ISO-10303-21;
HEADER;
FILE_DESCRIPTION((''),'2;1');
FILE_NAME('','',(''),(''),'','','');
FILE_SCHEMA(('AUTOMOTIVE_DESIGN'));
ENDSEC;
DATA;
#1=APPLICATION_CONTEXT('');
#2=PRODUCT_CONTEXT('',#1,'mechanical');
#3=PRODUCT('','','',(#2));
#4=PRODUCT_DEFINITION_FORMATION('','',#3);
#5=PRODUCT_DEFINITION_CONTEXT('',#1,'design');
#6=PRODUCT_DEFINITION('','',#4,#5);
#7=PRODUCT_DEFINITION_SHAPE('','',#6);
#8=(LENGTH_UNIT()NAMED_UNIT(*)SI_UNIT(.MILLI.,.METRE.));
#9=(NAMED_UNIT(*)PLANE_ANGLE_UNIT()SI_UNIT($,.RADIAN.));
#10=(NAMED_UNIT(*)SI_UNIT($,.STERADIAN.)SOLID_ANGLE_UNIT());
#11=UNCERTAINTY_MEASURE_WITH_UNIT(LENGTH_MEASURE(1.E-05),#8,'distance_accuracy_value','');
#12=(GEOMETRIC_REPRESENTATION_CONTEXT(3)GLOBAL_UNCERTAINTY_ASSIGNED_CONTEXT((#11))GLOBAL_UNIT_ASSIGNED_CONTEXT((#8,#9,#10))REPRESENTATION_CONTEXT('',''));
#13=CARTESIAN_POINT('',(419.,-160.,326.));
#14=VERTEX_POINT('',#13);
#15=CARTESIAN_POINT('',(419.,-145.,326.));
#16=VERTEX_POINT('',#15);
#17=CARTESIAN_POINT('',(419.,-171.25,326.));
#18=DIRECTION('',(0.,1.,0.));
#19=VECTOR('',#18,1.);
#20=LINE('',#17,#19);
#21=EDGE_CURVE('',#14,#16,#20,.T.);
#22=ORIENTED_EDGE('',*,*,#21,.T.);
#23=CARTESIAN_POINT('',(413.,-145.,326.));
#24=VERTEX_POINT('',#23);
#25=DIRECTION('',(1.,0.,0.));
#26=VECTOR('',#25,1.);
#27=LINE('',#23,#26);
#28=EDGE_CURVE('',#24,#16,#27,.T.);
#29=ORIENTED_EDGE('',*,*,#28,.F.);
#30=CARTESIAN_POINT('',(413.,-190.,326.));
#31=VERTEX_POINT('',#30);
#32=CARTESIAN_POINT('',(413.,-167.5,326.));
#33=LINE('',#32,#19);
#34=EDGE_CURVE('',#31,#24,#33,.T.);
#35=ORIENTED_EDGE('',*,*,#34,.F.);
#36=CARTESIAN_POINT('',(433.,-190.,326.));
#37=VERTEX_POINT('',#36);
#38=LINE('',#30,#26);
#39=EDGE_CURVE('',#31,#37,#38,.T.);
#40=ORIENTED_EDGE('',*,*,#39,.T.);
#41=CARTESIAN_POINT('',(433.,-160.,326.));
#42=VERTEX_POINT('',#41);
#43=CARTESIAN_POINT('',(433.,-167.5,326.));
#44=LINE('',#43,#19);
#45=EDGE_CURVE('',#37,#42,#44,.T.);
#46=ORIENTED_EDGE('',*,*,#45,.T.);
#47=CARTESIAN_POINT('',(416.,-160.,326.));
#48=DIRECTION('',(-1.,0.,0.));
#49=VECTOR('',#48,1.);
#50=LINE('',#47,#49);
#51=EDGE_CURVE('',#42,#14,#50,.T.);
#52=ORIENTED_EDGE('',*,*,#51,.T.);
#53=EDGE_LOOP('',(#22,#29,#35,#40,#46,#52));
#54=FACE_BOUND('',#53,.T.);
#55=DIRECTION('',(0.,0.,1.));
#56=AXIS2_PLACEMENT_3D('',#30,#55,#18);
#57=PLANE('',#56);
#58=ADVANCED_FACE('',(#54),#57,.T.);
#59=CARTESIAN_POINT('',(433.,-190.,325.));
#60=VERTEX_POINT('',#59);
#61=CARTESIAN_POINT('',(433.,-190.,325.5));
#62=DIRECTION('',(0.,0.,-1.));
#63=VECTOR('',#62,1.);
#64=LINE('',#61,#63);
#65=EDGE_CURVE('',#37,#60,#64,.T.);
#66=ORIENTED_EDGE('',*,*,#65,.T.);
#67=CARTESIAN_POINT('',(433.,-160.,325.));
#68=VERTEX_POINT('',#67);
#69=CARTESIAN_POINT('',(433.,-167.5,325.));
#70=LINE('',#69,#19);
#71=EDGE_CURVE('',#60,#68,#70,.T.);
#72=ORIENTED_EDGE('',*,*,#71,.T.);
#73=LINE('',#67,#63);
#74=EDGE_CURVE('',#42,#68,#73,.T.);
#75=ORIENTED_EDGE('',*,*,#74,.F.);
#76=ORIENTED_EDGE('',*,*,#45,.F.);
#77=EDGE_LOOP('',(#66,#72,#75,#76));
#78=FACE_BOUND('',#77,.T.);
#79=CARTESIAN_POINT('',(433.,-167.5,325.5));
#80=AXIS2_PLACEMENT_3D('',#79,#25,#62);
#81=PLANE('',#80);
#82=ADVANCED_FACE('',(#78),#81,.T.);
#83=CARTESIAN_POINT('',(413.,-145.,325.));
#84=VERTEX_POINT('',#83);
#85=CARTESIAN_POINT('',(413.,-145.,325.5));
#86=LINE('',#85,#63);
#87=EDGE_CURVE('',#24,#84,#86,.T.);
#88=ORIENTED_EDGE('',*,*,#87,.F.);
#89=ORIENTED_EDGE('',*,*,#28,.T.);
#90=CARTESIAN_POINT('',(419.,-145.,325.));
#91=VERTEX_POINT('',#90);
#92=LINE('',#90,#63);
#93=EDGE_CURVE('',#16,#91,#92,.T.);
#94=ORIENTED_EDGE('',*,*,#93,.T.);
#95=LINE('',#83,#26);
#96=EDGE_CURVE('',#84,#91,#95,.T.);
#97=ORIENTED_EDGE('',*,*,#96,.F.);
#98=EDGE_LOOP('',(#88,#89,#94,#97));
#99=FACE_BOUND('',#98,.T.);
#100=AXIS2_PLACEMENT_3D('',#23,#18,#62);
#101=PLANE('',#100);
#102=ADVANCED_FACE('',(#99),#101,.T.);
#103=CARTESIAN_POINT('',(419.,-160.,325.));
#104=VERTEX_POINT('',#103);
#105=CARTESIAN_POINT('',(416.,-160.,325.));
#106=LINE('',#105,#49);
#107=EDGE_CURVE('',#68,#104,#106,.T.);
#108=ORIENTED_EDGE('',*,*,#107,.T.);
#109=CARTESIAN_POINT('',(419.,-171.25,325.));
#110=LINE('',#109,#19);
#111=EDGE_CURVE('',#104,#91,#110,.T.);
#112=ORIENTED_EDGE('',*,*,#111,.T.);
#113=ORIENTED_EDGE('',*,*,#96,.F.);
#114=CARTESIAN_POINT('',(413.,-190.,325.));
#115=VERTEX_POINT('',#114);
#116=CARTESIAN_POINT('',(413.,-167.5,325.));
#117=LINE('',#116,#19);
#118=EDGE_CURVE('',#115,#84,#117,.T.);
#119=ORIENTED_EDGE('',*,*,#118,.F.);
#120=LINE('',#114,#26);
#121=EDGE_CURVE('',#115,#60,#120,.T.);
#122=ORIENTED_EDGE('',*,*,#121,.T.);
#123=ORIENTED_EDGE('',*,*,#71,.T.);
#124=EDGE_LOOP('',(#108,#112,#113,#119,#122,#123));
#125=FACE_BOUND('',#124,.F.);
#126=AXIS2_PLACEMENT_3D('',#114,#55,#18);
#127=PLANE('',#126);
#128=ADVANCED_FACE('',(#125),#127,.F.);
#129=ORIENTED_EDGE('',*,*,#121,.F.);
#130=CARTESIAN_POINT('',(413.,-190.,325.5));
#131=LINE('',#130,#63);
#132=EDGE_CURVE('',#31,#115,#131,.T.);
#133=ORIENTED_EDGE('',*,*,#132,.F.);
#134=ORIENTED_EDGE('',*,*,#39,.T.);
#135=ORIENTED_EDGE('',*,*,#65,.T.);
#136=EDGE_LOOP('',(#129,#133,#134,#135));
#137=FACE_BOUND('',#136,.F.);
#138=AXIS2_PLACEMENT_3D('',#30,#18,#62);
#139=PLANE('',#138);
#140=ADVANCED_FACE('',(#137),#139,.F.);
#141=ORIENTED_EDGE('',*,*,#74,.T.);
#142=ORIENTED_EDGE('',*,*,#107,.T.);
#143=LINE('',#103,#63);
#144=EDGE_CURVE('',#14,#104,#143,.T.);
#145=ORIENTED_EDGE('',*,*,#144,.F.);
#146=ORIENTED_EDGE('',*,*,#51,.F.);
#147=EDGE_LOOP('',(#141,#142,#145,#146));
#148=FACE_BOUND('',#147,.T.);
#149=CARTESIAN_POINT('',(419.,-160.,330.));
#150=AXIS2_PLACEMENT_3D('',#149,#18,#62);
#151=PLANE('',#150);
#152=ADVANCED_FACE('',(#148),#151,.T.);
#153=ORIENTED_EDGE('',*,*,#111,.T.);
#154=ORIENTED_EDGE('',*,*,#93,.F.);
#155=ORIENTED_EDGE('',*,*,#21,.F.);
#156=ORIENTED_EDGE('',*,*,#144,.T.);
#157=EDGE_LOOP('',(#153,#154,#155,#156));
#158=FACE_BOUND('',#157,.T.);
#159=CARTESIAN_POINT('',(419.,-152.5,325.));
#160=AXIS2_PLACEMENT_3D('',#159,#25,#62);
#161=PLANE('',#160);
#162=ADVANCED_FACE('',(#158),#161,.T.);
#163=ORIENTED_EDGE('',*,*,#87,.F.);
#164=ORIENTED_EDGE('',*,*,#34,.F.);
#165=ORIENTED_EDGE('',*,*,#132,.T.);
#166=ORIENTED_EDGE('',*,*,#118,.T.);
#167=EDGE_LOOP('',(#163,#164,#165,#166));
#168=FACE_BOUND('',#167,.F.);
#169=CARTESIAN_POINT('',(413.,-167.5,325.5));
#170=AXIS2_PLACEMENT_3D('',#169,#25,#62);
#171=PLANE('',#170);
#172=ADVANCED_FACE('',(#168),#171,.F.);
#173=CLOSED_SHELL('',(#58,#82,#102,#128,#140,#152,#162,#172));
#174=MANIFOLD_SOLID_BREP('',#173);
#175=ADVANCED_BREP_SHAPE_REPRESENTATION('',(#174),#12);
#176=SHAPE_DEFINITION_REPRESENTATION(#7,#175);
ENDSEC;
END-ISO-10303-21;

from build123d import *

# Parameters (mm, degrees)
BOX007_W           = 10
BOX007_H           = 15
BOX007_DEPTH       = 14
BOX006_W           = 1
BOX006_H           = 45
BOX006_DEPTH       = 20
CUT006_PITCH_ANGLE = 90


with BuildPart() as cubo005:
    # Box007 → Box007 (new body)
    with BuildSketch(Plane(origin=(-4, -227, 60), x_dir=(1, 0, 0), z_dir=(0, 0, 1))):
        with Locations((5, 7.5)):
            Rectangle(BOX007_W, BOX007_H)
    extrude(amount=BOX007_DEPTH)


with BuildPart() as cut006:
    # Box006 → Box006 (new body)
    with BuildSketch(Plane(origin=(0, -257, 54), x_dir=(1, 0, 0), z_dir=(0, 0, 1))):
        with Locations((0.5, 22.5)):
            Rectangle(BOX006_W, BOX006_H)
    extrude(amount=BOX006_DEPTH)

    # Cut006: cut Cubo005
    add(cubo005.part, mode=Mode.SUBTRACT)


with BuildPart() as cut006_1:
    # Cut006 pitch: moved
    add(cut006.part.rotate(Axis((0, 0, 0), (0, 1, 0)), CUT006_PITCH_ANGLE))


with BuildPart() as cut006_2:
    # Cut006 placement: moved
    add(cut006_1.part.moved(Location((359, 67, 326))))


solid = cut006_2.part
